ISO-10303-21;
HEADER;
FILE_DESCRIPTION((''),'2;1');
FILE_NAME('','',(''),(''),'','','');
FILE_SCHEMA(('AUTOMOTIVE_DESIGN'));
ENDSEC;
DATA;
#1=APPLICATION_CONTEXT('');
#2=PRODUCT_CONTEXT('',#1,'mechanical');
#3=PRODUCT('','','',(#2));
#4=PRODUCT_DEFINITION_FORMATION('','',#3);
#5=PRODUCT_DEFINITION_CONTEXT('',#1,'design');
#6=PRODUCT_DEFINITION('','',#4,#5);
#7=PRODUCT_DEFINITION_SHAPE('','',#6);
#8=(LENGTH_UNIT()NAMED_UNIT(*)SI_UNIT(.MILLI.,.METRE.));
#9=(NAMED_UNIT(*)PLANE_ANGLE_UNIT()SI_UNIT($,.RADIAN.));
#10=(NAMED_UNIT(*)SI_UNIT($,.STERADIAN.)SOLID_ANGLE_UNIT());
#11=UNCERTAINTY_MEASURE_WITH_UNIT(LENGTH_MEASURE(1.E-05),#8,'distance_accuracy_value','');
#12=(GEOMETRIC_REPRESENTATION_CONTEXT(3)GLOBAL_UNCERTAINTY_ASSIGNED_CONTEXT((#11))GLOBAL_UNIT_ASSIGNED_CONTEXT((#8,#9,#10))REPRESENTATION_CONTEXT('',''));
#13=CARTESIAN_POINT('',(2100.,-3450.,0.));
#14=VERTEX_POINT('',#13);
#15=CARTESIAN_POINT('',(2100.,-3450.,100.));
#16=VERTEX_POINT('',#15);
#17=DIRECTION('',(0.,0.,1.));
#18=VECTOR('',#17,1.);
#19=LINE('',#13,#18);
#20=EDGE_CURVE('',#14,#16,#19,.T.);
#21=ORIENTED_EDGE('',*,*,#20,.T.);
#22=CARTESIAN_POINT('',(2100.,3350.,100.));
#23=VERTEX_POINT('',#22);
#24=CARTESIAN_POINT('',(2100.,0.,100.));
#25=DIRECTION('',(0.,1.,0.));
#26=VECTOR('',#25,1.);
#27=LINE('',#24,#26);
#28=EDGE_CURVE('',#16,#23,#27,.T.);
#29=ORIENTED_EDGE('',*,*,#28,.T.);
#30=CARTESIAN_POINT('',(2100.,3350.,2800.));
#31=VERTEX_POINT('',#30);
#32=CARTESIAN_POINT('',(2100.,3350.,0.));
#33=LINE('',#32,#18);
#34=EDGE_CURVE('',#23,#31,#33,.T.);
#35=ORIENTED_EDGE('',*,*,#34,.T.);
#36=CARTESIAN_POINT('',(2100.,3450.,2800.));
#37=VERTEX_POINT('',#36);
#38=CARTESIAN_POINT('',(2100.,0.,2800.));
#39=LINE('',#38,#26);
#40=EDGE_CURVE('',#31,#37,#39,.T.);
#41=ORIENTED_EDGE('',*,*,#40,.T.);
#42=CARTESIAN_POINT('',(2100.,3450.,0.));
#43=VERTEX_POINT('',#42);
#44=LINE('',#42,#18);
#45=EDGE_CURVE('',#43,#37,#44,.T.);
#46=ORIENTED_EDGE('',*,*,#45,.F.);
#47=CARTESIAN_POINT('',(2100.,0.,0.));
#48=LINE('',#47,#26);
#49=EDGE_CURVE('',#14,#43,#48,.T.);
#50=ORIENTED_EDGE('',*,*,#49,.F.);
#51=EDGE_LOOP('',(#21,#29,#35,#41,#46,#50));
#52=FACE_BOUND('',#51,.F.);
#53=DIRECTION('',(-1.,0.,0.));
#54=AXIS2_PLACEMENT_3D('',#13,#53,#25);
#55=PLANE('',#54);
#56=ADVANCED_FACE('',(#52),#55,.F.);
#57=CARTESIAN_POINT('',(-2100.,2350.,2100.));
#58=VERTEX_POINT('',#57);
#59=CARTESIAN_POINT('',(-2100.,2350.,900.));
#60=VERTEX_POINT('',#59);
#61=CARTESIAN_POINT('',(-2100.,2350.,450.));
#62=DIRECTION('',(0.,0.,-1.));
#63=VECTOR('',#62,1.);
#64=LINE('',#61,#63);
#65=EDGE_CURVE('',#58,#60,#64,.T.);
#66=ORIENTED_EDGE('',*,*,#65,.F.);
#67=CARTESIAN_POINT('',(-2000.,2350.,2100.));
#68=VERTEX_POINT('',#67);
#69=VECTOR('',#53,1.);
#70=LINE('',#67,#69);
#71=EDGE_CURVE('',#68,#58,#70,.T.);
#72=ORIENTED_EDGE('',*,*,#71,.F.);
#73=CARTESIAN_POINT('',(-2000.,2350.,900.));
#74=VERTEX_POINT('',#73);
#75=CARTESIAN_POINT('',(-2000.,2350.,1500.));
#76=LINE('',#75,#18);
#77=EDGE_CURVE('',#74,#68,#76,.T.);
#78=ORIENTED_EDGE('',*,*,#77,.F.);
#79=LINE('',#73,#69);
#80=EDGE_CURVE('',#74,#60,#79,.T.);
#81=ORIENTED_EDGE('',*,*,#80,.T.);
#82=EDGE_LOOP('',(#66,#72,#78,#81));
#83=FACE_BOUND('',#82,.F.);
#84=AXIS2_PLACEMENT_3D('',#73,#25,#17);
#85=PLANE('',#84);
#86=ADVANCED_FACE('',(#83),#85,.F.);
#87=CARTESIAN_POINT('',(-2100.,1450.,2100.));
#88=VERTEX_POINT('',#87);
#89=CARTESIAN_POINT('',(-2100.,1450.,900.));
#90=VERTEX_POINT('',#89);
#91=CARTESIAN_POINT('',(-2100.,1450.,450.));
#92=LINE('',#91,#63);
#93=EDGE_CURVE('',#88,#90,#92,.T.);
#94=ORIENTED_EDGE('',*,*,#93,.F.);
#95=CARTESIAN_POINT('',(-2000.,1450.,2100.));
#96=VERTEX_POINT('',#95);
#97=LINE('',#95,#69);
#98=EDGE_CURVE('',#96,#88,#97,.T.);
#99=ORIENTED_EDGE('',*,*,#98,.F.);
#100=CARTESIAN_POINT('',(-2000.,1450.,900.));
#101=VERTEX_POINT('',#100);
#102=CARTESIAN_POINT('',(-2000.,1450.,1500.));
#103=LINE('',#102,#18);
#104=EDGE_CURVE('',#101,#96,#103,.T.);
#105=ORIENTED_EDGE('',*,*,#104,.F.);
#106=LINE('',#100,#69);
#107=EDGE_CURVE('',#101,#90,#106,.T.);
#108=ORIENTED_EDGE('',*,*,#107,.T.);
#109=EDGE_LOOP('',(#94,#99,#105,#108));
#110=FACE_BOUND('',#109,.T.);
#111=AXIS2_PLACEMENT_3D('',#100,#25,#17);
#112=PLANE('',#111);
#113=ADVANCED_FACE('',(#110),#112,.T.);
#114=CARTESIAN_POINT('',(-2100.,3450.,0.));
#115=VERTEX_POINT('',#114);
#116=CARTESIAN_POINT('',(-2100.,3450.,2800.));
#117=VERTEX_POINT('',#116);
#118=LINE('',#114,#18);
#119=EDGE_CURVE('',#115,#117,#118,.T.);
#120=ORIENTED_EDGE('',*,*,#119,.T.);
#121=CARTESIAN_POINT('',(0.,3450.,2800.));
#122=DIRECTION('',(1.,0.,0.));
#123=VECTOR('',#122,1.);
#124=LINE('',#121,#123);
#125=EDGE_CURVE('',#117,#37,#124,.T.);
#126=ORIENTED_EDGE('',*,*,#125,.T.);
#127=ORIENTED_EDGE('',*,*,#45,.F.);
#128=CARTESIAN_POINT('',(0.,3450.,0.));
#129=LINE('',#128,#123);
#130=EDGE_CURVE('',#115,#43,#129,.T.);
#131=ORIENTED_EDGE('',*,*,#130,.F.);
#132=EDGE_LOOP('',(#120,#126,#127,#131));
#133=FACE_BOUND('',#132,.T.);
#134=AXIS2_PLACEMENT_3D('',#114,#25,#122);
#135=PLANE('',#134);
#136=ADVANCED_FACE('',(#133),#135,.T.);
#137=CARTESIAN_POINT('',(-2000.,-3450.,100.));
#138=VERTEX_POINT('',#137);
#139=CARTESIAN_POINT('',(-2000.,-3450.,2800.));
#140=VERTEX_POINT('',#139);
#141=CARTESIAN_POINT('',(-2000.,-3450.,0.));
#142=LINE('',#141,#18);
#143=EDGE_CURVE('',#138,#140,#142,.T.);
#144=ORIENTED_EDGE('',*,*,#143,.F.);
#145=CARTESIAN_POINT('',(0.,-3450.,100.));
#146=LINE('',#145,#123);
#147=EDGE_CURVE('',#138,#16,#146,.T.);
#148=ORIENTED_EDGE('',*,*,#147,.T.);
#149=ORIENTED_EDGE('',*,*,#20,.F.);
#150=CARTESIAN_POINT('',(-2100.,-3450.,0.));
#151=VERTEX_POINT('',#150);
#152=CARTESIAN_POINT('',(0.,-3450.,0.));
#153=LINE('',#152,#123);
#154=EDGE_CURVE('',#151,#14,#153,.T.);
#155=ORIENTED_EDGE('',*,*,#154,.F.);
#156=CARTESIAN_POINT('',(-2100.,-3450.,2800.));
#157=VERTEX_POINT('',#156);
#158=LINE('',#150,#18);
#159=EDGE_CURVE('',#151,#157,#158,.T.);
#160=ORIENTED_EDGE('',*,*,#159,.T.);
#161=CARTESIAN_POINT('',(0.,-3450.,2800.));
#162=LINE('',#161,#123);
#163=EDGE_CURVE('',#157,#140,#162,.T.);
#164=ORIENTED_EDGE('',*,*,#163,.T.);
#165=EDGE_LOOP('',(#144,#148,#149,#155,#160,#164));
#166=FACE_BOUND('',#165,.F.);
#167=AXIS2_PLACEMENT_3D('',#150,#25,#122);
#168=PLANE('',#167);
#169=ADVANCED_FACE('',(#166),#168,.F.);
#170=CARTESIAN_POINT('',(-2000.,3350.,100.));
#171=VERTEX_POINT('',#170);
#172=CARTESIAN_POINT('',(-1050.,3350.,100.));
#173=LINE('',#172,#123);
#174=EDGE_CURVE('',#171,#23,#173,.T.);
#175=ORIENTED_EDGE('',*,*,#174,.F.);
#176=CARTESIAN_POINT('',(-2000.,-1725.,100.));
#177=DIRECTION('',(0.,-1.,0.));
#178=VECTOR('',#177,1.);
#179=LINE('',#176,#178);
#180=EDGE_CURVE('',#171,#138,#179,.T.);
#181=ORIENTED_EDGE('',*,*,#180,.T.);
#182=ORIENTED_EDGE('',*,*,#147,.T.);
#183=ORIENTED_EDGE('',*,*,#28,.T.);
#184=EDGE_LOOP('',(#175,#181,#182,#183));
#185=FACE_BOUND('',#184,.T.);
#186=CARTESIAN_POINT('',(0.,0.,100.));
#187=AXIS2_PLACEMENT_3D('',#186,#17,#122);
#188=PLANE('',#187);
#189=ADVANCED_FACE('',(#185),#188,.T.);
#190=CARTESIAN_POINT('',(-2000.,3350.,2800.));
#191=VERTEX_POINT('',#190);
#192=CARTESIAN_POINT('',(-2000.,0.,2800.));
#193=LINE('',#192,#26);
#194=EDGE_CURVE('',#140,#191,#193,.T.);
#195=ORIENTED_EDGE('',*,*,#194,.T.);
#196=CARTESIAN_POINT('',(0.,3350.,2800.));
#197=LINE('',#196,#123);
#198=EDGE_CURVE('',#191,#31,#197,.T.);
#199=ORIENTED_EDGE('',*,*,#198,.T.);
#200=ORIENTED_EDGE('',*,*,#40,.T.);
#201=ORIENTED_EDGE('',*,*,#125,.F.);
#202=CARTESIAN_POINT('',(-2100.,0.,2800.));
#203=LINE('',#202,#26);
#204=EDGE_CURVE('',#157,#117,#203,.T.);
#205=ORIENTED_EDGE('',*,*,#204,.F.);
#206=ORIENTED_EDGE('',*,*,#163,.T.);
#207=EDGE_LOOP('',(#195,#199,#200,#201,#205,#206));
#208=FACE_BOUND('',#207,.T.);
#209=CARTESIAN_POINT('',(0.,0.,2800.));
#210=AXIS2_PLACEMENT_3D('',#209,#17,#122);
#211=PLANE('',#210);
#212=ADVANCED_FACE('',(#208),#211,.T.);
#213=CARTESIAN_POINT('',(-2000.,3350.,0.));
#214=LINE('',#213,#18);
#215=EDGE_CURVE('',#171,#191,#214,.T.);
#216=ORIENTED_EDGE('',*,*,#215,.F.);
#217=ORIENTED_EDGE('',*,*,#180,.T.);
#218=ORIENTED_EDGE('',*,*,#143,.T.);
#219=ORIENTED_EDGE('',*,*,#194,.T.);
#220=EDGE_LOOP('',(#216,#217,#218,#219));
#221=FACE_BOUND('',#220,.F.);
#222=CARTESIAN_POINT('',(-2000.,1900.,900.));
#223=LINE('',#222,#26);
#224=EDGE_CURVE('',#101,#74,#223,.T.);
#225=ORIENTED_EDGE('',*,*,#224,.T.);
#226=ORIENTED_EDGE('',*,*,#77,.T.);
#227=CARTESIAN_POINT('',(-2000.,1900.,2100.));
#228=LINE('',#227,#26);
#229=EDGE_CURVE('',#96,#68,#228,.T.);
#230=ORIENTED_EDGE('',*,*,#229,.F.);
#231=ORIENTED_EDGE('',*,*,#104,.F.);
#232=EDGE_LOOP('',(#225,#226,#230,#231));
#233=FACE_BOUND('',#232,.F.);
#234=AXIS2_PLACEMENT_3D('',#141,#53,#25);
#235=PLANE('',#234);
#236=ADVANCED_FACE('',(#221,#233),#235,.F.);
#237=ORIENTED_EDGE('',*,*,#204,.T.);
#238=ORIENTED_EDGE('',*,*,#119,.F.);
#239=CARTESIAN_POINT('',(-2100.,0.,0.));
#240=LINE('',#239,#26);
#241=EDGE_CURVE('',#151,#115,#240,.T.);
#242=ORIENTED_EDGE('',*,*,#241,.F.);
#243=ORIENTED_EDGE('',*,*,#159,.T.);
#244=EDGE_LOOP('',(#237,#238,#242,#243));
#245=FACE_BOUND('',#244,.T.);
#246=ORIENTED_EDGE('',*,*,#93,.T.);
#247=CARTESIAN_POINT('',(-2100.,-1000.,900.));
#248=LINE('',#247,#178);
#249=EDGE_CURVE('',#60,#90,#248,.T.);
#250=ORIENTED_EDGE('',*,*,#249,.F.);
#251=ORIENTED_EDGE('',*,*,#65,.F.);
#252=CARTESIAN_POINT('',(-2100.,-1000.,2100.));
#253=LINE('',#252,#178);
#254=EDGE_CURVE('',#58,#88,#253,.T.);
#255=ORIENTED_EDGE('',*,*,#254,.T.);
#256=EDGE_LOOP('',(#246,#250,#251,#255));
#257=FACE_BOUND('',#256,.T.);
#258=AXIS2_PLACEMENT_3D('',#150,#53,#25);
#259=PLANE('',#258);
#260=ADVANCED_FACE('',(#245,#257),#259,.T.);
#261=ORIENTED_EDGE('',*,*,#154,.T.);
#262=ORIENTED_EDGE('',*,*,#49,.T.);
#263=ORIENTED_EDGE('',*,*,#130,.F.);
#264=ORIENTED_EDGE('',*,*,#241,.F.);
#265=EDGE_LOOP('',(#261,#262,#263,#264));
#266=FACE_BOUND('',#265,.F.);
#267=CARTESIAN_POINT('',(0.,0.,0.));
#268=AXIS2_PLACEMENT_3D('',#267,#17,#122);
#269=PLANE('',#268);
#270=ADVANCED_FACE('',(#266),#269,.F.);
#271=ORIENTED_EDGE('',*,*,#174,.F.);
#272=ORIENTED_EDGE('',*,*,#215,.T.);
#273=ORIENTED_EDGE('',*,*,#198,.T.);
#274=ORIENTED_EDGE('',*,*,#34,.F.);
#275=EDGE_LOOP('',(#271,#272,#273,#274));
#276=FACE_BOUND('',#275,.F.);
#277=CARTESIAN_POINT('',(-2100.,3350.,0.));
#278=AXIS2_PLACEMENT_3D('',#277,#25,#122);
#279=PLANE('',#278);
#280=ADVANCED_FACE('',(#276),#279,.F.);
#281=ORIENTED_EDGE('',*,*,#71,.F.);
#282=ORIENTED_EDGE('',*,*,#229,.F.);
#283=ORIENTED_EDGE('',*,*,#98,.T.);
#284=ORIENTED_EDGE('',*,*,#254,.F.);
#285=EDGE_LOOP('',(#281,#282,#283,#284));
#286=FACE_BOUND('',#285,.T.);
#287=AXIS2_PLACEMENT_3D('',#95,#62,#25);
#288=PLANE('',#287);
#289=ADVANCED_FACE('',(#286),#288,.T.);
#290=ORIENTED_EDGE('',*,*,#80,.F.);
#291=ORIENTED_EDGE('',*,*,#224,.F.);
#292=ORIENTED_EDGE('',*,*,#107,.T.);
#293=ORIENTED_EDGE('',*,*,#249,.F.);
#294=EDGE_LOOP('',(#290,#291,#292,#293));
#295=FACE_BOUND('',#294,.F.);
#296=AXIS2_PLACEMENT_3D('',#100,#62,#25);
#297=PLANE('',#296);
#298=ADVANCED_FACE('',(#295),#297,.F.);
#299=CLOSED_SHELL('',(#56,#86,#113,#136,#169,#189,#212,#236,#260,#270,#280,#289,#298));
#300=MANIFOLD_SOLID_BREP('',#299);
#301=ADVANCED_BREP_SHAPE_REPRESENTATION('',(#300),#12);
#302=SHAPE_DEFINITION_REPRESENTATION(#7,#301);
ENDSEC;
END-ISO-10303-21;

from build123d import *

# Parameters (mm, degrees)
F0_W     = 4200
F0_H     = 6900
F1_DEPTH = 2800
F2_T     = -100
F3_W     = 900
F3_H     = 1200
F4_DEPTH = 100.001


with BuildPart() as f1:
    # F0 (on Top) → F1 (new body)
    with BuildSketch(Plane.XY):
        Rectangle(F0_W, F0_H)
    extrude(amount=F1_DEPTH)

    # F2
    f2_openings = [f1.faces().sort_by_distance(p)[0] for p in [
        (0, 0, 2800),
        (2100, 0, 1400),
        (0, -3450, 1400),
    ]]
    offset(amount=F2_T, openings=f2_openings)

    # F3 (on face) → F4 (cut, through all)
    with BuildSketch(Plane.YZ.offset(-2000)):
        with Locations((1900, 1500)):
            Rectangle(F3_W, F3_H)
    extrude(amount=-F4_DEPTH, mode=Mode.SUBTRACT)


solid = f1.part
